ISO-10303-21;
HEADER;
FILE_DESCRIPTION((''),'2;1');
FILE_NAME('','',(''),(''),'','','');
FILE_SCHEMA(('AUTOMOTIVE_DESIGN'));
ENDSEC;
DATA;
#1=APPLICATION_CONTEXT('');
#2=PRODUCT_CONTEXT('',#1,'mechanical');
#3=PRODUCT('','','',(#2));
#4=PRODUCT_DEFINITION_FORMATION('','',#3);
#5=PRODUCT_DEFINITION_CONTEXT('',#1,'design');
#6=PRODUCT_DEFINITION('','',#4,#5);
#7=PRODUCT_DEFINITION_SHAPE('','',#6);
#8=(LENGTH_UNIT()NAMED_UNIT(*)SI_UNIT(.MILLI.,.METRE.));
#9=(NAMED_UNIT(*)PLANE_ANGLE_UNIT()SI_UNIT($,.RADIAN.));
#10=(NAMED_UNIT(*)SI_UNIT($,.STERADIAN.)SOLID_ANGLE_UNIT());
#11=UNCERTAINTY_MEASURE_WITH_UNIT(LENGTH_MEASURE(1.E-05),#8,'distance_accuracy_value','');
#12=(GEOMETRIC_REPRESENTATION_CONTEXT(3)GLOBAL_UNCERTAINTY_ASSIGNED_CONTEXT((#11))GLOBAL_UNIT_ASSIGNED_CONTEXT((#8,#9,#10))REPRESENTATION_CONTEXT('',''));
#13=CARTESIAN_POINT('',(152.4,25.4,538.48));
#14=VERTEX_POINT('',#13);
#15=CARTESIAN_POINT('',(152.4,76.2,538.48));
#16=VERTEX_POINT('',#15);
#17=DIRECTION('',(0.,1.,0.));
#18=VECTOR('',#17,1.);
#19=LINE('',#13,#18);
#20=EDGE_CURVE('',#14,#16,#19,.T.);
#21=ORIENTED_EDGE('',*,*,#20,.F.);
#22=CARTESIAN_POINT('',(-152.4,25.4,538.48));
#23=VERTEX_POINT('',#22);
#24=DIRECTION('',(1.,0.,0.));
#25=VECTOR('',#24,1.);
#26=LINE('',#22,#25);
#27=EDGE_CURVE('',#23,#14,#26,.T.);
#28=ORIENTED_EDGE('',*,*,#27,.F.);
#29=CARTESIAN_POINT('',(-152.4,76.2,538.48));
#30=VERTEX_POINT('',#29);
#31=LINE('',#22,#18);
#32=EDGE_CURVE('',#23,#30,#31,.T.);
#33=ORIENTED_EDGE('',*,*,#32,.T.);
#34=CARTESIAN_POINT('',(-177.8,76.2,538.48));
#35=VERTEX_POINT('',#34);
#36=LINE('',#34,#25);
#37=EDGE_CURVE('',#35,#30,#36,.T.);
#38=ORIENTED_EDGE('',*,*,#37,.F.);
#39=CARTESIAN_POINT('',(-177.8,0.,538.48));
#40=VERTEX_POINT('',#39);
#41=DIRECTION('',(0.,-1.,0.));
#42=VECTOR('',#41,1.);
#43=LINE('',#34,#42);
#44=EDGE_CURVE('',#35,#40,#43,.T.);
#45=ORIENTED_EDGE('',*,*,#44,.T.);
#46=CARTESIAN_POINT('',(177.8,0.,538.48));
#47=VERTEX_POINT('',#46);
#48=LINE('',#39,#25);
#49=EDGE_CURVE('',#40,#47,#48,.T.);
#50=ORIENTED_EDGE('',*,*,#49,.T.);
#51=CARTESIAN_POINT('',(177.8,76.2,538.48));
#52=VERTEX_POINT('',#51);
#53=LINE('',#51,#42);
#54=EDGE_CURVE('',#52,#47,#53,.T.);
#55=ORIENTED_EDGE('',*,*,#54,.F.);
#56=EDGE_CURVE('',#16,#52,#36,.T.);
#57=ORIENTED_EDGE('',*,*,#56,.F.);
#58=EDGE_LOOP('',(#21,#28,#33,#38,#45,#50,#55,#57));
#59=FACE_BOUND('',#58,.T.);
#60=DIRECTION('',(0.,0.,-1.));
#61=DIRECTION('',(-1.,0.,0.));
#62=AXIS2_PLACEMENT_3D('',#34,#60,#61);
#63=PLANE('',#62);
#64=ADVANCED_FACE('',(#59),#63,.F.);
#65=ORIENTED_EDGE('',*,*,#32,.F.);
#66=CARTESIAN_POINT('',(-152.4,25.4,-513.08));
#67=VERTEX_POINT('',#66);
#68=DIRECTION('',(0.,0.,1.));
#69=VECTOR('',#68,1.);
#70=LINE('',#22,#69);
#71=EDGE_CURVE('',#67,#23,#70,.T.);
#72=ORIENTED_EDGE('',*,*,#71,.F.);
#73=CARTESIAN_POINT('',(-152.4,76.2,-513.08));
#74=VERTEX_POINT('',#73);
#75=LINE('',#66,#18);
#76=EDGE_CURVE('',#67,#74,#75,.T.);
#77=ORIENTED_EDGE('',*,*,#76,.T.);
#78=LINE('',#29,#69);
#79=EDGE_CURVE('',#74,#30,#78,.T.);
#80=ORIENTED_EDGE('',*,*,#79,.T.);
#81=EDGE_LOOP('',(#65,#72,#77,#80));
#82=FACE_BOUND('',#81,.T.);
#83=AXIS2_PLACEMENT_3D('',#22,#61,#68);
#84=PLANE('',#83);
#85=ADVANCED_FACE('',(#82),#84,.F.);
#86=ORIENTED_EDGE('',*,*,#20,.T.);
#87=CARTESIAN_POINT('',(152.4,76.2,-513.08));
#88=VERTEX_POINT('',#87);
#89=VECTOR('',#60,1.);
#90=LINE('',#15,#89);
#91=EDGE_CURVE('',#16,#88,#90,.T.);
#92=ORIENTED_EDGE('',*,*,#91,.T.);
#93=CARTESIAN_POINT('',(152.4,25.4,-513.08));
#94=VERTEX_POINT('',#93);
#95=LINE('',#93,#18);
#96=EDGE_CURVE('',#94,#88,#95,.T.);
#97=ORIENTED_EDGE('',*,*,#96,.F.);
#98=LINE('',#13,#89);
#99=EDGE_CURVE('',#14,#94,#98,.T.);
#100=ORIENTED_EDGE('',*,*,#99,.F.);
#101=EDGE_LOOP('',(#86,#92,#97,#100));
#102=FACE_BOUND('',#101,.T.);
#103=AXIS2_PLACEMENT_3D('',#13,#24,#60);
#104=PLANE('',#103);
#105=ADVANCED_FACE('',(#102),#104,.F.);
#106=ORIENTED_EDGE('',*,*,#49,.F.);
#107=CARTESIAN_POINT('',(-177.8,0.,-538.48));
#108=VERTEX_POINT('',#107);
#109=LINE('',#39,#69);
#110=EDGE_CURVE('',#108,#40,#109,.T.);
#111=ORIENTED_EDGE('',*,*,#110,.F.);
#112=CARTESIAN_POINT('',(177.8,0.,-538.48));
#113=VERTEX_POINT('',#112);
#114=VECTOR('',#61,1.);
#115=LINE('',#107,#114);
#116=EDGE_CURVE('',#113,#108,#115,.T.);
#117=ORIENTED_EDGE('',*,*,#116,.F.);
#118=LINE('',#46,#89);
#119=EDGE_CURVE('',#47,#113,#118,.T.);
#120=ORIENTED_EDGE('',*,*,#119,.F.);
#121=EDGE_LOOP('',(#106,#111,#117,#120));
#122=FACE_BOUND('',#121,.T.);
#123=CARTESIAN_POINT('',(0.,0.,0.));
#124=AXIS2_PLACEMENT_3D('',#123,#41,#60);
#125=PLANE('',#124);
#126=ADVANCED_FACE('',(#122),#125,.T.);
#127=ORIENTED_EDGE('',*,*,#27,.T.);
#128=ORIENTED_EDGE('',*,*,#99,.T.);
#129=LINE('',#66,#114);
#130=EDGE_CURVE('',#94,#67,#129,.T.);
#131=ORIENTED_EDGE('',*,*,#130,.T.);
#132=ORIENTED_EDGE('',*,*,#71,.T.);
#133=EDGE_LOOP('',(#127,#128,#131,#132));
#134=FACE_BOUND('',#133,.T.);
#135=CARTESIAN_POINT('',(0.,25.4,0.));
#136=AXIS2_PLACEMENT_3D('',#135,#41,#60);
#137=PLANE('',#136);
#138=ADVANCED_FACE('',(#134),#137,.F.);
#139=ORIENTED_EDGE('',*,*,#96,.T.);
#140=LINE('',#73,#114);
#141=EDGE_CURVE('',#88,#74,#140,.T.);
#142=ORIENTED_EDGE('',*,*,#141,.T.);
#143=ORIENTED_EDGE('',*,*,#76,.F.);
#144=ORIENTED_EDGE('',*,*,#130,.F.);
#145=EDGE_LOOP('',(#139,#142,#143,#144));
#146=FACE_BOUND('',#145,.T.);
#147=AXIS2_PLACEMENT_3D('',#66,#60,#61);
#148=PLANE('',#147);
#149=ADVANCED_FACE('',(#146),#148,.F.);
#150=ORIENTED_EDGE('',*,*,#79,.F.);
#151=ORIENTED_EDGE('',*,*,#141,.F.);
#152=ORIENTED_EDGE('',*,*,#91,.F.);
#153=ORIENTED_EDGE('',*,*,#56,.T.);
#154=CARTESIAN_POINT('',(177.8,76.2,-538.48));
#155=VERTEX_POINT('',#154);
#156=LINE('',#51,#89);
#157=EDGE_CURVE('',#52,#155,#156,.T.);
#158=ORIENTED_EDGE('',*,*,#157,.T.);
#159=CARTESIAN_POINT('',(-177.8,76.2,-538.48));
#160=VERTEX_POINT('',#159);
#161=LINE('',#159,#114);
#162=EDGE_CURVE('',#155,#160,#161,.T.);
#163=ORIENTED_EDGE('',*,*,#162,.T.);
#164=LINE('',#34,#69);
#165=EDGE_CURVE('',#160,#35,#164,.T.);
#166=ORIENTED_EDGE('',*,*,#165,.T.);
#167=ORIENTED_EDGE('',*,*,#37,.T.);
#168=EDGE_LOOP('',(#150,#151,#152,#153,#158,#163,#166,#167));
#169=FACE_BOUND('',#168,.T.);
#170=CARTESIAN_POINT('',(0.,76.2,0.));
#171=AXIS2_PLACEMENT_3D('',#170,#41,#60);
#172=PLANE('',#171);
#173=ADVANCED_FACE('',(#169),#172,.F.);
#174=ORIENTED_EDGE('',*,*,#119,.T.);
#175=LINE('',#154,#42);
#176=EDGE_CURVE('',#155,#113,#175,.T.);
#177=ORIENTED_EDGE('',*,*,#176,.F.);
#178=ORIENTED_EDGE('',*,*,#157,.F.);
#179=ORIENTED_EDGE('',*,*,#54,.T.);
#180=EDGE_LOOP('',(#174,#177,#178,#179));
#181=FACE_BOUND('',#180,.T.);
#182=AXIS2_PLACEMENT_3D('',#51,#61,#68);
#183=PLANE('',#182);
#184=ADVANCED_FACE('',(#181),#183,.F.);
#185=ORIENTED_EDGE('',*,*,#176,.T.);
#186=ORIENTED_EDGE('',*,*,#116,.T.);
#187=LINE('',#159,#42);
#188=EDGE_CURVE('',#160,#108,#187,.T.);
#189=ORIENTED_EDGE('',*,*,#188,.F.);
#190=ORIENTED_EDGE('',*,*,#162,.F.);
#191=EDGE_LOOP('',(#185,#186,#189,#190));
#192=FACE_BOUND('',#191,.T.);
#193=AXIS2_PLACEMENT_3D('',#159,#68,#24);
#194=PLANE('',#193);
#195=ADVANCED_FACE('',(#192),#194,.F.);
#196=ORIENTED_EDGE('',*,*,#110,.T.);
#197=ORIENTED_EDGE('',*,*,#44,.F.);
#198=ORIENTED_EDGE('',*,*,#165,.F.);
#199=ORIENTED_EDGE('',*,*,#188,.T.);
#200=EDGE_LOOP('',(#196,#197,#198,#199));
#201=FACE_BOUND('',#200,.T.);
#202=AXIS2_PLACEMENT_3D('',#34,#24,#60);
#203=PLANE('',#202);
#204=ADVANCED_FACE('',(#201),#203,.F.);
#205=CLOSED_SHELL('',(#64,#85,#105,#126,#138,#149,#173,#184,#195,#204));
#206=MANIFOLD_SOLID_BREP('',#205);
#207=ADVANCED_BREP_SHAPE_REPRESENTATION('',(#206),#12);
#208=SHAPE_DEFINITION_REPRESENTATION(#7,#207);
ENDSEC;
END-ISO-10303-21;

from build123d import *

# Parameters (mm, degrees)
SKETCH1_W           = 355.6
SKETCH1_H           = 1076.96
BOSS_EXTRUDE1_DEPTH = 76.2
SKETCH2_W           = 304.8
SKETCH2_H           = 1051.56
CUT_EXTRUDE1_DEPTH  = 50.8


with BuildPart() as part:
    # Sketch1 → Boss-Extrude1 (new body)
    with BuildSketch(Plane(origin=(0, 0, 0), x_dir=(1, 0, 0), z_dir=(0, 1, 0))):
        Rectangle(SKETCH1_W, SKETCH1_H)
    extrude(amount=BOSS_EXTRUDE1_DEPTH)

    # Sketch2 → Cut-Extrude1 (cut)
    with BuildSketch(Plane(origin=(0, 76.2, 0), x_dir=(1, 0, 0), z_dir=(0, 1, 0))):
        with Locations((0, -12.7)):
            Rectangle(SKETCH2_W, SKETCH2_H)
    extrude(amount=-CUT_EXTRUDE1_DEPTH, mode=Mode.SUBTRACT)


solid = part.part
